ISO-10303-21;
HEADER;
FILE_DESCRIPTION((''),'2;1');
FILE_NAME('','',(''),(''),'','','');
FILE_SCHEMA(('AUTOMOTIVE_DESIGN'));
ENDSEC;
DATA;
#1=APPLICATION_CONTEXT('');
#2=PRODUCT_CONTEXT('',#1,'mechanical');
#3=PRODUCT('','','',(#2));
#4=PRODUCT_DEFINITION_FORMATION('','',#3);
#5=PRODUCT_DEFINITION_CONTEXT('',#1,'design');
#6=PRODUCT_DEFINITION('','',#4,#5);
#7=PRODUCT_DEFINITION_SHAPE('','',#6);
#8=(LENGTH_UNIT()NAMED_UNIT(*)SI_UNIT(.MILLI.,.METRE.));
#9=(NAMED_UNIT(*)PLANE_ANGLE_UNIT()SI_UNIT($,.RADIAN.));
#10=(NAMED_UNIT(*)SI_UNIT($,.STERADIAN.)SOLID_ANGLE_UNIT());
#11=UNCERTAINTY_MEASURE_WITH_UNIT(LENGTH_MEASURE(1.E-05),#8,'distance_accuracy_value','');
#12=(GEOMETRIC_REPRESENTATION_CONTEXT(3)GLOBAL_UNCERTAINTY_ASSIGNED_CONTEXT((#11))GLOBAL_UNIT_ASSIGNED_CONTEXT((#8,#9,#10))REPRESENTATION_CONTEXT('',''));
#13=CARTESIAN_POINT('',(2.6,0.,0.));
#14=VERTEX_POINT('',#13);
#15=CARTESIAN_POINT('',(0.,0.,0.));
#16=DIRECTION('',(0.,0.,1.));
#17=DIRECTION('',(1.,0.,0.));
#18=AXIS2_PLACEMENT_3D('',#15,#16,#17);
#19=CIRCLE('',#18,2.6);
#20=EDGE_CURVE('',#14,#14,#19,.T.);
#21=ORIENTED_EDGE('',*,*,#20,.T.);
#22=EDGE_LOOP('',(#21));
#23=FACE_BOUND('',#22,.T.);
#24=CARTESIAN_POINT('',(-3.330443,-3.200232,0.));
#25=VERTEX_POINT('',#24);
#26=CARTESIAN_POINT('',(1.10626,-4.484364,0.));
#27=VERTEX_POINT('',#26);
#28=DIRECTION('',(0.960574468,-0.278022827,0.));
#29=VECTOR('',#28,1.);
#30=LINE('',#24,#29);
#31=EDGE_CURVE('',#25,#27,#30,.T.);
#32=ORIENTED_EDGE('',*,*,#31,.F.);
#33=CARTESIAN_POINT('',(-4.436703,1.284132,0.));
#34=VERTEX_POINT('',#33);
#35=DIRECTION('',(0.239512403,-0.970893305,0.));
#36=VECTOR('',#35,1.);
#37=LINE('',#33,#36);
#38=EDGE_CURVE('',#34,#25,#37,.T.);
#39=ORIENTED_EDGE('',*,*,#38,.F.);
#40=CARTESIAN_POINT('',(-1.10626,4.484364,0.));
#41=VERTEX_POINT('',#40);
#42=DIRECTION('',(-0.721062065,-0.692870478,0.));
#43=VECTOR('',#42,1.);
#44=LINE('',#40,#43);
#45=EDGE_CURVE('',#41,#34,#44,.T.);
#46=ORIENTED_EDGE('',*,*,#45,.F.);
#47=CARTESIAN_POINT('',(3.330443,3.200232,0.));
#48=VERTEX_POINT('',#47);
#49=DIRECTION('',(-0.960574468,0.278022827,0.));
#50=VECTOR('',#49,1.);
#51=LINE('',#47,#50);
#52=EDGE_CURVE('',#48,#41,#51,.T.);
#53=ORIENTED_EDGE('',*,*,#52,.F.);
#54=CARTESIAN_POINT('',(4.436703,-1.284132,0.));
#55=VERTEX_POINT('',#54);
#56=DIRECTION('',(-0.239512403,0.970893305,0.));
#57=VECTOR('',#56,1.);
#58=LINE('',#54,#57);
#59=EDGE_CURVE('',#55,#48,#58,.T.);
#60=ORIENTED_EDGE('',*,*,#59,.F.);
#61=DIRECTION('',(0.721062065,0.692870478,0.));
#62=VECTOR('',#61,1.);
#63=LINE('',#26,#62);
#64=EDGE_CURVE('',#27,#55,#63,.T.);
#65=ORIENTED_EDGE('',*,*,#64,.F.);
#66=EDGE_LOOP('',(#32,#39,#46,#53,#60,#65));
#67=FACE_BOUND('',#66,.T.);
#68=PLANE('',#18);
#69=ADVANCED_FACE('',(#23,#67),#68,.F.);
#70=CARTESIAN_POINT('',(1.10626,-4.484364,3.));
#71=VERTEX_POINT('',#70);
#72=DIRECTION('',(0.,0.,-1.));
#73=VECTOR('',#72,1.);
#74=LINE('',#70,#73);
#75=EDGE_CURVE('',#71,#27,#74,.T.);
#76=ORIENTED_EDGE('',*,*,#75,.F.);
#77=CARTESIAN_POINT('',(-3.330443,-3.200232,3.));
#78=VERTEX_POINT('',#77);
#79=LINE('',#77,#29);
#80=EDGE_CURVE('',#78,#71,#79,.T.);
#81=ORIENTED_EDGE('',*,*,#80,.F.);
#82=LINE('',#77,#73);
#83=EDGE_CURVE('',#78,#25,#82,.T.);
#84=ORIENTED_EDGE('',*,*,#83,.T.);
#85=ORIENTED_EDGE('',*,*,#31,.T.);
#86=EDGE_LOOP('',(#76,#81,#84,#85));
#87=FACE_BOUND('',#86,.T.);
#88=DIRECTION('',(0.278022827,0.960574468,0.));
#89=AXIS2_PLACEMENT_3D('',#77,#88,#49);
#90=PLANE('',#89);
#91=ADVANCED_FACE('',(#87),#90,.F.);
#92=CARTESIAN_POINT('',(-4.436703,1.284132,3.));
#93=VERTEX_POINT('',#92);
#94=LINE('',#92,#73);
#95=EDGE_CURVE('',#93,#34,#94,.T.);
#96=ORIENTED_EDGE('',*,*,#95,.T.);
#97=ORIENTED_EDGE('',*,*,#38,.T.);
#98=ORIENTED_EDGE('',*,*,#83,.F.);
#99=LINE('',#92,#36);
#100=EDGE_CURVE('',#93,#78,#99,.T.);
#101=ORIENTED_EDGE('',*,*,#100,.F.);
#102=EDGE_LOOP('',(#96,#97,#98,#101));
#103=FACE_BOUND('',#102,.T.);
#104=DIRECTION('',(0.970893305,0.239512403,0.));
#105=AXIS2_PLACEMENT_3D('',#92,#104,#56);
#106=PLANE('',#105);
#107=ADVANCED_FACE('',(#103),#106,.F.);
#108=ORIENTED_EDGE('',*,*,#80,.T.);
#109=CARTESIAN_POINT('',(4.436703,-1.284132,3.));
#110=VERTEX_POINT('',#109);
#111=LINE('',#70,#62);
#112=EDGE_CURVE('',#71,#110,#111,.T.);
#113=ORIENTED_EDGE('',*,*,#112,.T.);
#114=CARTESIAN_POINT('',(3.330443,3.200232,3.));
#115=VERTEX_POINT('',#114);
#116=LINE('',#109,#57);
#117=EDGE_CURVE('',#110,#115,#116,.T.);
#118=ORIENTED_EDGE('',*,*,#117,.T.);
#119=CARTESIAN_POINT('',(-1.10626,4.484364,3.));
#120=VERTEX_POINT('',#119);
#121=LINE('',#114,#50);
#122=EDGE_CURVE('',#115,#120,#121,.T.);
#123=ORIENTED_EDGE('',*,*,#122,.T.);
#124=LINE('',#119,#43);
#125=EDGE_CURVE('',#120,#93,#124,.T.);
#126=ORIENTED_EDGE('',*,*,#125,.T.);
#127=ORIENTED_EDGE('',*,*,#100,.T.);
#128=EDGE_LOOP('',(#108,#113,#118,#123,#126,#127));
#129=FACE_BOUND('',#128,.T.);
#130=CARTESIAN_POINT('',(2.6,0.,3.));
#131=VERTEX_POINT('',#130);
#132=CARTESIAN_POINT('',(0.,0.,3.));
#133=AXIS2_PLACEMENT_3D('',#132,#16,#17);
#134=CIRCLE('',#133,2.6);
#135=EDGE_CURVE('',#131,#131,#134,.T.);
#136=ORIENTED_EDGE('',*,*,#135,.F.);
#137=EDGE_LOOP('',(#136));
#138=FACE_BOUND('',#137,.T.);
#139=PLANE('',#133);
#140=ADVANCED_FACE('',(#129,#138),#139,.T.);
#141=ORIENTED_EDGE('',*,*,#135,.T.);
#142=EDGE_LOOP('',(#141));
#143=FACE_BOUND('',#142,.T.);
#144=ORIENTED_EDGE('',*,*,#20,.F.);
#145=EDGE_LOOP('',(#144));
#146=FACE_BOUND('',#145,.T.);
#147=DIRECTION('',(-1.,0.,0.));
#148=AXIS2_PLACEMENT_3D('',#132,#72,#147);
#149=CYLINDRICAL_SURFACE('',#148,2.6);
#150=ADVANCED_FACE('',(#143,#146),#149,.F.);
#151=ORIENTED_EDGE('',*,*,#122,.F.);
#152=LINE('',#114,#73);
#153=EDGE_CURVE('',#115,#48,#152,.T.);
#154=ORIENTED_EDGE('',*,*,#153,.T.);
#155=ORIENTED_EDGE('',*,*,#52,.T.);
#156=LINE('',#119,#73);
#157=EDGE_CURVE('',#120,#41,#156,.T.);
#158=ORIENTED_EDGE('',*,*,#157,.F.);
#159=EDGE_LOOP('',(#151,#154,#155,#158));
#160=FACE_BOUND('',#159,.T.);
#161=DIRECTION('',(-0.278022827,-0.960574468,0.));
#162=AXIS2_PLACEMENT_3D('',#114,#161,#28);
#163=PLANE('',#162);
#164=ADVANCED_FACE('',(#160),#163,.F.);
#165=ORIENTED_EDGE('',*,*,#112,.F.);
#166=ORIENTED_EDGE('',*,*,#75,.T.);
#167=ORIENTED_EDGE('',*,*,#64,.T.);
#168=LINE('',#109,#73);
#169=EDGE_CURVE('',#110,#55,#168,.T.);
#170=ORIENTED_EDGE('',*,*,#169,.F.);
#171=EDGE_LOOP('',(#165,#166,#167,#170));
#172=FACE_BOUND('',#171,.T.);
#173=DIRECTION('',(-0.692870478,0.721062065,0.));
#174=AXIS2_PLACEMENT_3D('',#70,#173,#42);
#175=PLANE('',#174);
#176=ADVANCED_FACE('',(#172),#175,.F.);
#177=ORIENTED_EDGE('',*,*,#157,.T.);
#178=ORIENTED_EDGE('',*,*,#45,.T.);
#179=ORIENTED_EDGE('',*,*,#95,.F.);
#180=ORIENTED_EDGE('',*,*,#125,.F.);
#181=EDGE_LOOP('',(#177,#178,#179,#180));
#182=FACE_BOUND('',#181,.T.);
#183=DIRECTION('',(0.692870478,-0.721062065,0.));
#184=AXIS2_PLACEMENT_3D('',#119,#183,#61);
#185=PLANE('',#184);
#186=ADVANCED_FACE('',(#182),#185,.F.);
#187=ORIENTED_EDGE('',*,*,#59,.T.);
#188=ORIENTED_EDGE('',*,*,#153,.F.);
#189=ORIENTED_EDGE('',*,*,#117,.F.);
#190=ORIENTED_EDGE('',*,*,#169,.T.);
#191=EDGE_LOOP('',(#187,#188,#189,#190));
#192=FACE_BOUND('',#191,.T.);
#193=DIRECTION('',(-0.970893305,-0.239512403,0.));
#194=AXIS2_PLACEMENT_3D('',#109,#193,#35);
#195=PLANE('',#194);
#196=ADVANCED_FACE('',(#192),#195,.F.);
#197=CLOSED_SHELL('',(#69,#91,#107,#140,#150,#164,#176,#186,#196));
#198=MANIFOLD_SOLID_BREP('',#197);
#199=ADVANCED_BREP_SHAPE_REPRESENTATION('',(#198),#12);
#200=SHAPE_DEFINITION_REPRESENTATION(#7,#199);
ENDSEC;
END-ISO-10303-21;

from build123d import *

# Parameters (mm, degrees)
CROQUIS1_R              = 2.6
SALIENTE_EXTRUIR1_DEPTH = 3


with BuildPart() as part:
    # Croquis1 → Saliente-Extruir1 (new body)
    with BuildSketch(Plane.XY):
        Polygon((1.106260402, -4.484364086), (4.436703419, -1.284132431), (3.330443017, 3.200231655), (-1.106260402, 4.484364086), (-4.436703419, 1.284132431), (-3.330443017, -3.200231655), align=None)
        Circle(CROQUIS1_R, mode=Mode.SUBTRACT)
    extrude(amount=SALIENTE_EXTRUIR1_DEPTH)


solid = part.part
